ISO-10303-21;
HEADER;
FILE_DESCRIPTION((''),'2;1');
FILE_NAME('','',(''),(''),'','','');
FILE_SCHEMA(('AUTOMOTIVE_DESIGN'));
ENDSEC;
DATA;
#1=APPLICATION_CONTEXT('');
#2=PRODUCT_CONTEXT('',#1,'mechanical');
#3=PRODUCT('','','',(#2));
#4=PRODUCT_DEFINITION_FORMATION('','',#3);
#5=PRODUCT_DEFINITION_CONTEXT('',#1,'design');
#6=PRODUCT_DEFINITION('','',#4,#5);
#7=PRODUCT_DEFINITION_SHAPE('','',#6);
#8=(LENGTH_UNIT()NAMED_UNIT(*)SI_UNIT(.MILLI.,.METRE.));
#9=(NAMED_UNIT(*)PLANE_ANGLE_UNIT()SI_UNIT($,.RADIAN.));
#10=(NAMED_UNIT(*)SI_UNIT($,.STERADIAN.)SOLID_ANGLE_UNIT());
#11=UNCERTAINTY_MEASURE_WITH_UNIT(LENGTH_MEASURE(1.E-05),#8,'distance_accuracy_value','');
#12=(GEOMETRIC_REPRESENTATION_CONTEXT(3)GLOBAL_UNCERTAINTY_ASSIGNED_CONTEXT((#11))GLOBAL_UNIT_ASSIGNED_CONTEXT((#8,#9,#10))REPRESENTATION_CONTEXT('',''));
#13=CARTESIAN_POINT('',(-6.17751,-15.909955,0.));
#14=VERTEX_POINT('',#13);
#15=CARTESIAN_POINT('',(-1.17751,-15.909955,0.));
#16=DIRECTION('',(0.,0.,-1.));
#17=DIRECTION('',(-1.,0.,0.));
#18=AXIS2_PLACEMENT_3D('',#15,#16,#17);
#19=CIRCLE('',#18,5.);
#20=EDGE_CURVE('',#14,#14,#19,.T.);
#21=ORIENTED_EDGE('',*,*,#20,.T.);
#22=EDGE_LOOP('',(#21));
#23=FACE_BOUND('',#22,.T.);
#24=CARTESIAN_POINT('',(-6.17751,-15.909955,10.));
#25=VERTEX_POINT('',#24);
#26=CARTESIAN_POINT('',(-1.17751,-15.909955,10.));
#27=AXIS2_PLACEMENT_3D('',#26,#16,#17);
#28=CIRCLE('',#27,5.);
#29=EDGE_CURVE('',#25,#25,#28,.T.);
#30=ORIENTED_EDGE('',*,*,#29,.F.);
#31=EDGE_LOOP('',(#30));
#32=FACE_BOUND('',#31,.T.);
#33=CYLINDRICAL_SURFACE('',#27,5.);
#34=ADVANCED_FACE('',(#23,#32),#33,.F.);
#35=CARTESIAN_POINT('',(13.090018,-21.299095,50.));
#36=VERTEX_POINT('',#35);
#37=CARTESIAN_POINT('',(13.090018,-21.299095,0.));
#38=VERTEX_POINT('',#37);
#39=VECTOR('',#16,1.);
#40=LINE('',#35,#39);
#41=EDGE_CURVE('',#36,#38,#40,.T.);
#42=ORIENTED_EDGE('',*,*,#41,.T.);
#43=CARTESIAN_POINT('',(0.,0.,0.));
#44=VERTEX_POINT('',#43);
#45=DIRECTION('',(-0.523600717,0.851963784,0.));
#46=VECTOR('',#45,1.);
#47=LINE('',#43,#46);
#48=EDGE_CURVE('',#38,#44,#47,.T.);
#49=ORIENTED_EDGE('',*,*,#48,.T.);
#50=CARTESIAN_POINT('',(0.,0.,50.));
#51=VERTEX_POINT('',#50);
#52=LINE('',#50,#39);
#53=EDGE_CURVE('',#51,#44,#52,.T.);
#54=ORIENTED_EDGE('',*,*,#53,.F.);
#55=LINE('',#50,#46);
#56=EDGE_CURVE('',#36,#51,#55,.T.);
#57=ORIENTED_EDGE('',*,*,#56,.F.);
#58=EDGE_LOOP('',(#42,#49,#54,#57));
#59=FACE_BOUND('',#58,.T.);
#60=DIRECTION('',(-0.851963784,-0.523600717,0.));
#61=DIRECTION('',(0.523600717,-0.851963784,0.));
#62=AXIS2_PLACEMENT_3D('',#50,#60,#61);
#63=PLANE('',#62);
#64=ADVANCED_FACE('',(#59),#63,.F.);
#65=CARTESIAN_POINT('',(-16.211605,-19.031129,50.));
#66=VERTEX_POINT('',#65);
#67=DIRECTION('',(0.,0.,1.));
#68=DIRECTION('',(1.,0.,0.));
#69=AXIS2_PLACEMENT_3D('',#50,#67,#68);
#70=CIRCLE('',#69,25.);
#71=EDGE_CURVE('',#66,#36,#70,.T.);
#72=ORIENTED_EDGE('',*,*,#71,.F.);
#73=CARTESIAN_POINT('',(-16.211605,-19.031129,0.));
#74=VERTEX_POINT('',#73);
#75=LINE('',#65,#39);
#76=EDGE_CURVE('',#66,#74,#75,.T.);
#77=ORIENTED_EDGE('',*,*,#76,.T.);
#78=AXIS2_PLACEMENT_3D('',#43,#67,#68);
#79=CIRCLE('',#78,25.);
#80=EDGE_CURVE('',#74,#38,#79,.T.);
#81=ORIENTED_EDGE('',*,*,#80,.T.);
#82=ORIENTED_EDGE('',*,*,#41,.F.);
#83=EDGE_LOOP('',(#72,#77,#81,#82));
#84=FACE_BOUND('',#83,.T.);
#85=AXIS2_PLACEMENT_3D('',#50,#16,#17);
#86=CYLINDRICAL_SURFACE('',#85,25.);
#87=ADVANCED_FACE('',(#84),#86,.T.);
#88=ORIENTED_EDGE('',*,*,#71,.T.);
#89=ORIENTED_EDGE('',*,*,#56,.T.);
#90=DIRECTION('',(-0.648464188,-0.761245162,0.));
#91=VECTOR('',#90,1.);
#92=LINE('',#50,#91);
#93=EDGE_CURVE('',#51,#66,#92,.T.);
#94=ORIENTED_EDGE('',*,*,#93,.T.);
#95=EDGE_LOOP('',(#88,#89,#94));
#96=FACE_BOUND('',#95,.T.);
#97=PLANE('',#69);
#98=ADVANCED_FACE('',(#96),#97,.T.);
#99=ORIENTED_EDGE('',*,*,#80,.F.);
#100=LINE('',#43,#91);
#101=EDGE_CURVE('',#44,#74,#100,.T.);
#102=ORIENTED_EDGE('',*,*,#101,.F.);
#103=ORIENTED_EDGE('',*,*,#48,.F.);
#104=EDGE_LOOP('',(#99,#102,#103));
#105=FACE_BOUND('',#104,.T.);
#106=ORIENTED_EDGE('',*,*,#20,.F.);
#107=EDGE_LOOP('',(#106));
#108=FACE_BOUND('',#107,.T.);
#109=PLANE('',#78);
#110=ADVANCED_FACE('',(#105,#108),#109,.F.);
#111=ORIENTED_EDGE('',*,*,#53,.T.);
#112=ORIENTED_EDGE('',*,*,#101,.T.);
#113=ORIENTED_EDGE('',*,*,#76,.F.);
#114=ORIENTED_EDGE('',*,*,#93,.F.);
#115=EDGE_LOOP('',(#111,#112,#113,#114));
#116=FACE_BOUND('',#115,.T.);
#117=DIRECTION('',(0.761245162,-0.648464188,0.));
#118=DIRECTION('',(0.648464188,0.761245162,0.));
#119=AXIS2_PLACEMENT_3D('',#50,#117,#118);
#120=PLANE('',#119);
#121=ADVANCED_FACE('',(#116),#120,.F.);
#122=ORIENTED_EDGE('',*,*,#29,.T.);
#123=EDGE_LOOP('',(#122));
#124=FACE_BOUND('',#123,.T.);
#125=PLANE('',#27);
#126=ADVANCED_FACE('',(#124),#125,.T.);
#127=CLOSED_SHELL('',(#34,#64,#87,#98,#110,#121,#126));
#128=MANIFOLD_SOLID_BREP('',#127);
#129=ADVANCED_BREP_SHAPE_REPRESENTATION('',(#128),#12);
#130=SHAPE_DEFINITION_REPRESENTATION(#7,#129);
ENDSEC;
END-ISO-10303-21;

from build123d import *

# Parameters (mm, degrees)
SALIENTE_EXTRUIR1_DEPTH = 50
CROQUIS2_R              = 5
CORTAR_EXTRUIR1_DEPTH   = 10


with BuildPart() as part:
    # Croquis1 → Saliente-Extruir1 (new body)
    with BuildSketch(Plane.XY):
        with BuildLine():
            Line((0, 0), (13.090017928, -21.299094597))
            ThreePointArc((13.090017928, -21.299094597), (-1.92924673, -24.925448984), (-16.211604711, -19.031129044))
            Line((-16.211604711, -19.031129044), (0, 0))
        make_face()
    extrude(amount=SALIENTE_EXTRUIR1_DEPTH)

    # Croquis2 → Cortar-Extruir1 (cut)
    with BuildSketch(Plane(origin=(0, 0, 0), x_dir=(-1, 0, 0), z_dir=(0, 0, -1))):
        with Locations((1.177509742, -15.909954548)):
            Circle(CROQUIS2_R)
    extrude(amount=-CORTAR_EXTRUIR1_DEPTH, mode=Mode.SUBTRACT)


solid = part.part
